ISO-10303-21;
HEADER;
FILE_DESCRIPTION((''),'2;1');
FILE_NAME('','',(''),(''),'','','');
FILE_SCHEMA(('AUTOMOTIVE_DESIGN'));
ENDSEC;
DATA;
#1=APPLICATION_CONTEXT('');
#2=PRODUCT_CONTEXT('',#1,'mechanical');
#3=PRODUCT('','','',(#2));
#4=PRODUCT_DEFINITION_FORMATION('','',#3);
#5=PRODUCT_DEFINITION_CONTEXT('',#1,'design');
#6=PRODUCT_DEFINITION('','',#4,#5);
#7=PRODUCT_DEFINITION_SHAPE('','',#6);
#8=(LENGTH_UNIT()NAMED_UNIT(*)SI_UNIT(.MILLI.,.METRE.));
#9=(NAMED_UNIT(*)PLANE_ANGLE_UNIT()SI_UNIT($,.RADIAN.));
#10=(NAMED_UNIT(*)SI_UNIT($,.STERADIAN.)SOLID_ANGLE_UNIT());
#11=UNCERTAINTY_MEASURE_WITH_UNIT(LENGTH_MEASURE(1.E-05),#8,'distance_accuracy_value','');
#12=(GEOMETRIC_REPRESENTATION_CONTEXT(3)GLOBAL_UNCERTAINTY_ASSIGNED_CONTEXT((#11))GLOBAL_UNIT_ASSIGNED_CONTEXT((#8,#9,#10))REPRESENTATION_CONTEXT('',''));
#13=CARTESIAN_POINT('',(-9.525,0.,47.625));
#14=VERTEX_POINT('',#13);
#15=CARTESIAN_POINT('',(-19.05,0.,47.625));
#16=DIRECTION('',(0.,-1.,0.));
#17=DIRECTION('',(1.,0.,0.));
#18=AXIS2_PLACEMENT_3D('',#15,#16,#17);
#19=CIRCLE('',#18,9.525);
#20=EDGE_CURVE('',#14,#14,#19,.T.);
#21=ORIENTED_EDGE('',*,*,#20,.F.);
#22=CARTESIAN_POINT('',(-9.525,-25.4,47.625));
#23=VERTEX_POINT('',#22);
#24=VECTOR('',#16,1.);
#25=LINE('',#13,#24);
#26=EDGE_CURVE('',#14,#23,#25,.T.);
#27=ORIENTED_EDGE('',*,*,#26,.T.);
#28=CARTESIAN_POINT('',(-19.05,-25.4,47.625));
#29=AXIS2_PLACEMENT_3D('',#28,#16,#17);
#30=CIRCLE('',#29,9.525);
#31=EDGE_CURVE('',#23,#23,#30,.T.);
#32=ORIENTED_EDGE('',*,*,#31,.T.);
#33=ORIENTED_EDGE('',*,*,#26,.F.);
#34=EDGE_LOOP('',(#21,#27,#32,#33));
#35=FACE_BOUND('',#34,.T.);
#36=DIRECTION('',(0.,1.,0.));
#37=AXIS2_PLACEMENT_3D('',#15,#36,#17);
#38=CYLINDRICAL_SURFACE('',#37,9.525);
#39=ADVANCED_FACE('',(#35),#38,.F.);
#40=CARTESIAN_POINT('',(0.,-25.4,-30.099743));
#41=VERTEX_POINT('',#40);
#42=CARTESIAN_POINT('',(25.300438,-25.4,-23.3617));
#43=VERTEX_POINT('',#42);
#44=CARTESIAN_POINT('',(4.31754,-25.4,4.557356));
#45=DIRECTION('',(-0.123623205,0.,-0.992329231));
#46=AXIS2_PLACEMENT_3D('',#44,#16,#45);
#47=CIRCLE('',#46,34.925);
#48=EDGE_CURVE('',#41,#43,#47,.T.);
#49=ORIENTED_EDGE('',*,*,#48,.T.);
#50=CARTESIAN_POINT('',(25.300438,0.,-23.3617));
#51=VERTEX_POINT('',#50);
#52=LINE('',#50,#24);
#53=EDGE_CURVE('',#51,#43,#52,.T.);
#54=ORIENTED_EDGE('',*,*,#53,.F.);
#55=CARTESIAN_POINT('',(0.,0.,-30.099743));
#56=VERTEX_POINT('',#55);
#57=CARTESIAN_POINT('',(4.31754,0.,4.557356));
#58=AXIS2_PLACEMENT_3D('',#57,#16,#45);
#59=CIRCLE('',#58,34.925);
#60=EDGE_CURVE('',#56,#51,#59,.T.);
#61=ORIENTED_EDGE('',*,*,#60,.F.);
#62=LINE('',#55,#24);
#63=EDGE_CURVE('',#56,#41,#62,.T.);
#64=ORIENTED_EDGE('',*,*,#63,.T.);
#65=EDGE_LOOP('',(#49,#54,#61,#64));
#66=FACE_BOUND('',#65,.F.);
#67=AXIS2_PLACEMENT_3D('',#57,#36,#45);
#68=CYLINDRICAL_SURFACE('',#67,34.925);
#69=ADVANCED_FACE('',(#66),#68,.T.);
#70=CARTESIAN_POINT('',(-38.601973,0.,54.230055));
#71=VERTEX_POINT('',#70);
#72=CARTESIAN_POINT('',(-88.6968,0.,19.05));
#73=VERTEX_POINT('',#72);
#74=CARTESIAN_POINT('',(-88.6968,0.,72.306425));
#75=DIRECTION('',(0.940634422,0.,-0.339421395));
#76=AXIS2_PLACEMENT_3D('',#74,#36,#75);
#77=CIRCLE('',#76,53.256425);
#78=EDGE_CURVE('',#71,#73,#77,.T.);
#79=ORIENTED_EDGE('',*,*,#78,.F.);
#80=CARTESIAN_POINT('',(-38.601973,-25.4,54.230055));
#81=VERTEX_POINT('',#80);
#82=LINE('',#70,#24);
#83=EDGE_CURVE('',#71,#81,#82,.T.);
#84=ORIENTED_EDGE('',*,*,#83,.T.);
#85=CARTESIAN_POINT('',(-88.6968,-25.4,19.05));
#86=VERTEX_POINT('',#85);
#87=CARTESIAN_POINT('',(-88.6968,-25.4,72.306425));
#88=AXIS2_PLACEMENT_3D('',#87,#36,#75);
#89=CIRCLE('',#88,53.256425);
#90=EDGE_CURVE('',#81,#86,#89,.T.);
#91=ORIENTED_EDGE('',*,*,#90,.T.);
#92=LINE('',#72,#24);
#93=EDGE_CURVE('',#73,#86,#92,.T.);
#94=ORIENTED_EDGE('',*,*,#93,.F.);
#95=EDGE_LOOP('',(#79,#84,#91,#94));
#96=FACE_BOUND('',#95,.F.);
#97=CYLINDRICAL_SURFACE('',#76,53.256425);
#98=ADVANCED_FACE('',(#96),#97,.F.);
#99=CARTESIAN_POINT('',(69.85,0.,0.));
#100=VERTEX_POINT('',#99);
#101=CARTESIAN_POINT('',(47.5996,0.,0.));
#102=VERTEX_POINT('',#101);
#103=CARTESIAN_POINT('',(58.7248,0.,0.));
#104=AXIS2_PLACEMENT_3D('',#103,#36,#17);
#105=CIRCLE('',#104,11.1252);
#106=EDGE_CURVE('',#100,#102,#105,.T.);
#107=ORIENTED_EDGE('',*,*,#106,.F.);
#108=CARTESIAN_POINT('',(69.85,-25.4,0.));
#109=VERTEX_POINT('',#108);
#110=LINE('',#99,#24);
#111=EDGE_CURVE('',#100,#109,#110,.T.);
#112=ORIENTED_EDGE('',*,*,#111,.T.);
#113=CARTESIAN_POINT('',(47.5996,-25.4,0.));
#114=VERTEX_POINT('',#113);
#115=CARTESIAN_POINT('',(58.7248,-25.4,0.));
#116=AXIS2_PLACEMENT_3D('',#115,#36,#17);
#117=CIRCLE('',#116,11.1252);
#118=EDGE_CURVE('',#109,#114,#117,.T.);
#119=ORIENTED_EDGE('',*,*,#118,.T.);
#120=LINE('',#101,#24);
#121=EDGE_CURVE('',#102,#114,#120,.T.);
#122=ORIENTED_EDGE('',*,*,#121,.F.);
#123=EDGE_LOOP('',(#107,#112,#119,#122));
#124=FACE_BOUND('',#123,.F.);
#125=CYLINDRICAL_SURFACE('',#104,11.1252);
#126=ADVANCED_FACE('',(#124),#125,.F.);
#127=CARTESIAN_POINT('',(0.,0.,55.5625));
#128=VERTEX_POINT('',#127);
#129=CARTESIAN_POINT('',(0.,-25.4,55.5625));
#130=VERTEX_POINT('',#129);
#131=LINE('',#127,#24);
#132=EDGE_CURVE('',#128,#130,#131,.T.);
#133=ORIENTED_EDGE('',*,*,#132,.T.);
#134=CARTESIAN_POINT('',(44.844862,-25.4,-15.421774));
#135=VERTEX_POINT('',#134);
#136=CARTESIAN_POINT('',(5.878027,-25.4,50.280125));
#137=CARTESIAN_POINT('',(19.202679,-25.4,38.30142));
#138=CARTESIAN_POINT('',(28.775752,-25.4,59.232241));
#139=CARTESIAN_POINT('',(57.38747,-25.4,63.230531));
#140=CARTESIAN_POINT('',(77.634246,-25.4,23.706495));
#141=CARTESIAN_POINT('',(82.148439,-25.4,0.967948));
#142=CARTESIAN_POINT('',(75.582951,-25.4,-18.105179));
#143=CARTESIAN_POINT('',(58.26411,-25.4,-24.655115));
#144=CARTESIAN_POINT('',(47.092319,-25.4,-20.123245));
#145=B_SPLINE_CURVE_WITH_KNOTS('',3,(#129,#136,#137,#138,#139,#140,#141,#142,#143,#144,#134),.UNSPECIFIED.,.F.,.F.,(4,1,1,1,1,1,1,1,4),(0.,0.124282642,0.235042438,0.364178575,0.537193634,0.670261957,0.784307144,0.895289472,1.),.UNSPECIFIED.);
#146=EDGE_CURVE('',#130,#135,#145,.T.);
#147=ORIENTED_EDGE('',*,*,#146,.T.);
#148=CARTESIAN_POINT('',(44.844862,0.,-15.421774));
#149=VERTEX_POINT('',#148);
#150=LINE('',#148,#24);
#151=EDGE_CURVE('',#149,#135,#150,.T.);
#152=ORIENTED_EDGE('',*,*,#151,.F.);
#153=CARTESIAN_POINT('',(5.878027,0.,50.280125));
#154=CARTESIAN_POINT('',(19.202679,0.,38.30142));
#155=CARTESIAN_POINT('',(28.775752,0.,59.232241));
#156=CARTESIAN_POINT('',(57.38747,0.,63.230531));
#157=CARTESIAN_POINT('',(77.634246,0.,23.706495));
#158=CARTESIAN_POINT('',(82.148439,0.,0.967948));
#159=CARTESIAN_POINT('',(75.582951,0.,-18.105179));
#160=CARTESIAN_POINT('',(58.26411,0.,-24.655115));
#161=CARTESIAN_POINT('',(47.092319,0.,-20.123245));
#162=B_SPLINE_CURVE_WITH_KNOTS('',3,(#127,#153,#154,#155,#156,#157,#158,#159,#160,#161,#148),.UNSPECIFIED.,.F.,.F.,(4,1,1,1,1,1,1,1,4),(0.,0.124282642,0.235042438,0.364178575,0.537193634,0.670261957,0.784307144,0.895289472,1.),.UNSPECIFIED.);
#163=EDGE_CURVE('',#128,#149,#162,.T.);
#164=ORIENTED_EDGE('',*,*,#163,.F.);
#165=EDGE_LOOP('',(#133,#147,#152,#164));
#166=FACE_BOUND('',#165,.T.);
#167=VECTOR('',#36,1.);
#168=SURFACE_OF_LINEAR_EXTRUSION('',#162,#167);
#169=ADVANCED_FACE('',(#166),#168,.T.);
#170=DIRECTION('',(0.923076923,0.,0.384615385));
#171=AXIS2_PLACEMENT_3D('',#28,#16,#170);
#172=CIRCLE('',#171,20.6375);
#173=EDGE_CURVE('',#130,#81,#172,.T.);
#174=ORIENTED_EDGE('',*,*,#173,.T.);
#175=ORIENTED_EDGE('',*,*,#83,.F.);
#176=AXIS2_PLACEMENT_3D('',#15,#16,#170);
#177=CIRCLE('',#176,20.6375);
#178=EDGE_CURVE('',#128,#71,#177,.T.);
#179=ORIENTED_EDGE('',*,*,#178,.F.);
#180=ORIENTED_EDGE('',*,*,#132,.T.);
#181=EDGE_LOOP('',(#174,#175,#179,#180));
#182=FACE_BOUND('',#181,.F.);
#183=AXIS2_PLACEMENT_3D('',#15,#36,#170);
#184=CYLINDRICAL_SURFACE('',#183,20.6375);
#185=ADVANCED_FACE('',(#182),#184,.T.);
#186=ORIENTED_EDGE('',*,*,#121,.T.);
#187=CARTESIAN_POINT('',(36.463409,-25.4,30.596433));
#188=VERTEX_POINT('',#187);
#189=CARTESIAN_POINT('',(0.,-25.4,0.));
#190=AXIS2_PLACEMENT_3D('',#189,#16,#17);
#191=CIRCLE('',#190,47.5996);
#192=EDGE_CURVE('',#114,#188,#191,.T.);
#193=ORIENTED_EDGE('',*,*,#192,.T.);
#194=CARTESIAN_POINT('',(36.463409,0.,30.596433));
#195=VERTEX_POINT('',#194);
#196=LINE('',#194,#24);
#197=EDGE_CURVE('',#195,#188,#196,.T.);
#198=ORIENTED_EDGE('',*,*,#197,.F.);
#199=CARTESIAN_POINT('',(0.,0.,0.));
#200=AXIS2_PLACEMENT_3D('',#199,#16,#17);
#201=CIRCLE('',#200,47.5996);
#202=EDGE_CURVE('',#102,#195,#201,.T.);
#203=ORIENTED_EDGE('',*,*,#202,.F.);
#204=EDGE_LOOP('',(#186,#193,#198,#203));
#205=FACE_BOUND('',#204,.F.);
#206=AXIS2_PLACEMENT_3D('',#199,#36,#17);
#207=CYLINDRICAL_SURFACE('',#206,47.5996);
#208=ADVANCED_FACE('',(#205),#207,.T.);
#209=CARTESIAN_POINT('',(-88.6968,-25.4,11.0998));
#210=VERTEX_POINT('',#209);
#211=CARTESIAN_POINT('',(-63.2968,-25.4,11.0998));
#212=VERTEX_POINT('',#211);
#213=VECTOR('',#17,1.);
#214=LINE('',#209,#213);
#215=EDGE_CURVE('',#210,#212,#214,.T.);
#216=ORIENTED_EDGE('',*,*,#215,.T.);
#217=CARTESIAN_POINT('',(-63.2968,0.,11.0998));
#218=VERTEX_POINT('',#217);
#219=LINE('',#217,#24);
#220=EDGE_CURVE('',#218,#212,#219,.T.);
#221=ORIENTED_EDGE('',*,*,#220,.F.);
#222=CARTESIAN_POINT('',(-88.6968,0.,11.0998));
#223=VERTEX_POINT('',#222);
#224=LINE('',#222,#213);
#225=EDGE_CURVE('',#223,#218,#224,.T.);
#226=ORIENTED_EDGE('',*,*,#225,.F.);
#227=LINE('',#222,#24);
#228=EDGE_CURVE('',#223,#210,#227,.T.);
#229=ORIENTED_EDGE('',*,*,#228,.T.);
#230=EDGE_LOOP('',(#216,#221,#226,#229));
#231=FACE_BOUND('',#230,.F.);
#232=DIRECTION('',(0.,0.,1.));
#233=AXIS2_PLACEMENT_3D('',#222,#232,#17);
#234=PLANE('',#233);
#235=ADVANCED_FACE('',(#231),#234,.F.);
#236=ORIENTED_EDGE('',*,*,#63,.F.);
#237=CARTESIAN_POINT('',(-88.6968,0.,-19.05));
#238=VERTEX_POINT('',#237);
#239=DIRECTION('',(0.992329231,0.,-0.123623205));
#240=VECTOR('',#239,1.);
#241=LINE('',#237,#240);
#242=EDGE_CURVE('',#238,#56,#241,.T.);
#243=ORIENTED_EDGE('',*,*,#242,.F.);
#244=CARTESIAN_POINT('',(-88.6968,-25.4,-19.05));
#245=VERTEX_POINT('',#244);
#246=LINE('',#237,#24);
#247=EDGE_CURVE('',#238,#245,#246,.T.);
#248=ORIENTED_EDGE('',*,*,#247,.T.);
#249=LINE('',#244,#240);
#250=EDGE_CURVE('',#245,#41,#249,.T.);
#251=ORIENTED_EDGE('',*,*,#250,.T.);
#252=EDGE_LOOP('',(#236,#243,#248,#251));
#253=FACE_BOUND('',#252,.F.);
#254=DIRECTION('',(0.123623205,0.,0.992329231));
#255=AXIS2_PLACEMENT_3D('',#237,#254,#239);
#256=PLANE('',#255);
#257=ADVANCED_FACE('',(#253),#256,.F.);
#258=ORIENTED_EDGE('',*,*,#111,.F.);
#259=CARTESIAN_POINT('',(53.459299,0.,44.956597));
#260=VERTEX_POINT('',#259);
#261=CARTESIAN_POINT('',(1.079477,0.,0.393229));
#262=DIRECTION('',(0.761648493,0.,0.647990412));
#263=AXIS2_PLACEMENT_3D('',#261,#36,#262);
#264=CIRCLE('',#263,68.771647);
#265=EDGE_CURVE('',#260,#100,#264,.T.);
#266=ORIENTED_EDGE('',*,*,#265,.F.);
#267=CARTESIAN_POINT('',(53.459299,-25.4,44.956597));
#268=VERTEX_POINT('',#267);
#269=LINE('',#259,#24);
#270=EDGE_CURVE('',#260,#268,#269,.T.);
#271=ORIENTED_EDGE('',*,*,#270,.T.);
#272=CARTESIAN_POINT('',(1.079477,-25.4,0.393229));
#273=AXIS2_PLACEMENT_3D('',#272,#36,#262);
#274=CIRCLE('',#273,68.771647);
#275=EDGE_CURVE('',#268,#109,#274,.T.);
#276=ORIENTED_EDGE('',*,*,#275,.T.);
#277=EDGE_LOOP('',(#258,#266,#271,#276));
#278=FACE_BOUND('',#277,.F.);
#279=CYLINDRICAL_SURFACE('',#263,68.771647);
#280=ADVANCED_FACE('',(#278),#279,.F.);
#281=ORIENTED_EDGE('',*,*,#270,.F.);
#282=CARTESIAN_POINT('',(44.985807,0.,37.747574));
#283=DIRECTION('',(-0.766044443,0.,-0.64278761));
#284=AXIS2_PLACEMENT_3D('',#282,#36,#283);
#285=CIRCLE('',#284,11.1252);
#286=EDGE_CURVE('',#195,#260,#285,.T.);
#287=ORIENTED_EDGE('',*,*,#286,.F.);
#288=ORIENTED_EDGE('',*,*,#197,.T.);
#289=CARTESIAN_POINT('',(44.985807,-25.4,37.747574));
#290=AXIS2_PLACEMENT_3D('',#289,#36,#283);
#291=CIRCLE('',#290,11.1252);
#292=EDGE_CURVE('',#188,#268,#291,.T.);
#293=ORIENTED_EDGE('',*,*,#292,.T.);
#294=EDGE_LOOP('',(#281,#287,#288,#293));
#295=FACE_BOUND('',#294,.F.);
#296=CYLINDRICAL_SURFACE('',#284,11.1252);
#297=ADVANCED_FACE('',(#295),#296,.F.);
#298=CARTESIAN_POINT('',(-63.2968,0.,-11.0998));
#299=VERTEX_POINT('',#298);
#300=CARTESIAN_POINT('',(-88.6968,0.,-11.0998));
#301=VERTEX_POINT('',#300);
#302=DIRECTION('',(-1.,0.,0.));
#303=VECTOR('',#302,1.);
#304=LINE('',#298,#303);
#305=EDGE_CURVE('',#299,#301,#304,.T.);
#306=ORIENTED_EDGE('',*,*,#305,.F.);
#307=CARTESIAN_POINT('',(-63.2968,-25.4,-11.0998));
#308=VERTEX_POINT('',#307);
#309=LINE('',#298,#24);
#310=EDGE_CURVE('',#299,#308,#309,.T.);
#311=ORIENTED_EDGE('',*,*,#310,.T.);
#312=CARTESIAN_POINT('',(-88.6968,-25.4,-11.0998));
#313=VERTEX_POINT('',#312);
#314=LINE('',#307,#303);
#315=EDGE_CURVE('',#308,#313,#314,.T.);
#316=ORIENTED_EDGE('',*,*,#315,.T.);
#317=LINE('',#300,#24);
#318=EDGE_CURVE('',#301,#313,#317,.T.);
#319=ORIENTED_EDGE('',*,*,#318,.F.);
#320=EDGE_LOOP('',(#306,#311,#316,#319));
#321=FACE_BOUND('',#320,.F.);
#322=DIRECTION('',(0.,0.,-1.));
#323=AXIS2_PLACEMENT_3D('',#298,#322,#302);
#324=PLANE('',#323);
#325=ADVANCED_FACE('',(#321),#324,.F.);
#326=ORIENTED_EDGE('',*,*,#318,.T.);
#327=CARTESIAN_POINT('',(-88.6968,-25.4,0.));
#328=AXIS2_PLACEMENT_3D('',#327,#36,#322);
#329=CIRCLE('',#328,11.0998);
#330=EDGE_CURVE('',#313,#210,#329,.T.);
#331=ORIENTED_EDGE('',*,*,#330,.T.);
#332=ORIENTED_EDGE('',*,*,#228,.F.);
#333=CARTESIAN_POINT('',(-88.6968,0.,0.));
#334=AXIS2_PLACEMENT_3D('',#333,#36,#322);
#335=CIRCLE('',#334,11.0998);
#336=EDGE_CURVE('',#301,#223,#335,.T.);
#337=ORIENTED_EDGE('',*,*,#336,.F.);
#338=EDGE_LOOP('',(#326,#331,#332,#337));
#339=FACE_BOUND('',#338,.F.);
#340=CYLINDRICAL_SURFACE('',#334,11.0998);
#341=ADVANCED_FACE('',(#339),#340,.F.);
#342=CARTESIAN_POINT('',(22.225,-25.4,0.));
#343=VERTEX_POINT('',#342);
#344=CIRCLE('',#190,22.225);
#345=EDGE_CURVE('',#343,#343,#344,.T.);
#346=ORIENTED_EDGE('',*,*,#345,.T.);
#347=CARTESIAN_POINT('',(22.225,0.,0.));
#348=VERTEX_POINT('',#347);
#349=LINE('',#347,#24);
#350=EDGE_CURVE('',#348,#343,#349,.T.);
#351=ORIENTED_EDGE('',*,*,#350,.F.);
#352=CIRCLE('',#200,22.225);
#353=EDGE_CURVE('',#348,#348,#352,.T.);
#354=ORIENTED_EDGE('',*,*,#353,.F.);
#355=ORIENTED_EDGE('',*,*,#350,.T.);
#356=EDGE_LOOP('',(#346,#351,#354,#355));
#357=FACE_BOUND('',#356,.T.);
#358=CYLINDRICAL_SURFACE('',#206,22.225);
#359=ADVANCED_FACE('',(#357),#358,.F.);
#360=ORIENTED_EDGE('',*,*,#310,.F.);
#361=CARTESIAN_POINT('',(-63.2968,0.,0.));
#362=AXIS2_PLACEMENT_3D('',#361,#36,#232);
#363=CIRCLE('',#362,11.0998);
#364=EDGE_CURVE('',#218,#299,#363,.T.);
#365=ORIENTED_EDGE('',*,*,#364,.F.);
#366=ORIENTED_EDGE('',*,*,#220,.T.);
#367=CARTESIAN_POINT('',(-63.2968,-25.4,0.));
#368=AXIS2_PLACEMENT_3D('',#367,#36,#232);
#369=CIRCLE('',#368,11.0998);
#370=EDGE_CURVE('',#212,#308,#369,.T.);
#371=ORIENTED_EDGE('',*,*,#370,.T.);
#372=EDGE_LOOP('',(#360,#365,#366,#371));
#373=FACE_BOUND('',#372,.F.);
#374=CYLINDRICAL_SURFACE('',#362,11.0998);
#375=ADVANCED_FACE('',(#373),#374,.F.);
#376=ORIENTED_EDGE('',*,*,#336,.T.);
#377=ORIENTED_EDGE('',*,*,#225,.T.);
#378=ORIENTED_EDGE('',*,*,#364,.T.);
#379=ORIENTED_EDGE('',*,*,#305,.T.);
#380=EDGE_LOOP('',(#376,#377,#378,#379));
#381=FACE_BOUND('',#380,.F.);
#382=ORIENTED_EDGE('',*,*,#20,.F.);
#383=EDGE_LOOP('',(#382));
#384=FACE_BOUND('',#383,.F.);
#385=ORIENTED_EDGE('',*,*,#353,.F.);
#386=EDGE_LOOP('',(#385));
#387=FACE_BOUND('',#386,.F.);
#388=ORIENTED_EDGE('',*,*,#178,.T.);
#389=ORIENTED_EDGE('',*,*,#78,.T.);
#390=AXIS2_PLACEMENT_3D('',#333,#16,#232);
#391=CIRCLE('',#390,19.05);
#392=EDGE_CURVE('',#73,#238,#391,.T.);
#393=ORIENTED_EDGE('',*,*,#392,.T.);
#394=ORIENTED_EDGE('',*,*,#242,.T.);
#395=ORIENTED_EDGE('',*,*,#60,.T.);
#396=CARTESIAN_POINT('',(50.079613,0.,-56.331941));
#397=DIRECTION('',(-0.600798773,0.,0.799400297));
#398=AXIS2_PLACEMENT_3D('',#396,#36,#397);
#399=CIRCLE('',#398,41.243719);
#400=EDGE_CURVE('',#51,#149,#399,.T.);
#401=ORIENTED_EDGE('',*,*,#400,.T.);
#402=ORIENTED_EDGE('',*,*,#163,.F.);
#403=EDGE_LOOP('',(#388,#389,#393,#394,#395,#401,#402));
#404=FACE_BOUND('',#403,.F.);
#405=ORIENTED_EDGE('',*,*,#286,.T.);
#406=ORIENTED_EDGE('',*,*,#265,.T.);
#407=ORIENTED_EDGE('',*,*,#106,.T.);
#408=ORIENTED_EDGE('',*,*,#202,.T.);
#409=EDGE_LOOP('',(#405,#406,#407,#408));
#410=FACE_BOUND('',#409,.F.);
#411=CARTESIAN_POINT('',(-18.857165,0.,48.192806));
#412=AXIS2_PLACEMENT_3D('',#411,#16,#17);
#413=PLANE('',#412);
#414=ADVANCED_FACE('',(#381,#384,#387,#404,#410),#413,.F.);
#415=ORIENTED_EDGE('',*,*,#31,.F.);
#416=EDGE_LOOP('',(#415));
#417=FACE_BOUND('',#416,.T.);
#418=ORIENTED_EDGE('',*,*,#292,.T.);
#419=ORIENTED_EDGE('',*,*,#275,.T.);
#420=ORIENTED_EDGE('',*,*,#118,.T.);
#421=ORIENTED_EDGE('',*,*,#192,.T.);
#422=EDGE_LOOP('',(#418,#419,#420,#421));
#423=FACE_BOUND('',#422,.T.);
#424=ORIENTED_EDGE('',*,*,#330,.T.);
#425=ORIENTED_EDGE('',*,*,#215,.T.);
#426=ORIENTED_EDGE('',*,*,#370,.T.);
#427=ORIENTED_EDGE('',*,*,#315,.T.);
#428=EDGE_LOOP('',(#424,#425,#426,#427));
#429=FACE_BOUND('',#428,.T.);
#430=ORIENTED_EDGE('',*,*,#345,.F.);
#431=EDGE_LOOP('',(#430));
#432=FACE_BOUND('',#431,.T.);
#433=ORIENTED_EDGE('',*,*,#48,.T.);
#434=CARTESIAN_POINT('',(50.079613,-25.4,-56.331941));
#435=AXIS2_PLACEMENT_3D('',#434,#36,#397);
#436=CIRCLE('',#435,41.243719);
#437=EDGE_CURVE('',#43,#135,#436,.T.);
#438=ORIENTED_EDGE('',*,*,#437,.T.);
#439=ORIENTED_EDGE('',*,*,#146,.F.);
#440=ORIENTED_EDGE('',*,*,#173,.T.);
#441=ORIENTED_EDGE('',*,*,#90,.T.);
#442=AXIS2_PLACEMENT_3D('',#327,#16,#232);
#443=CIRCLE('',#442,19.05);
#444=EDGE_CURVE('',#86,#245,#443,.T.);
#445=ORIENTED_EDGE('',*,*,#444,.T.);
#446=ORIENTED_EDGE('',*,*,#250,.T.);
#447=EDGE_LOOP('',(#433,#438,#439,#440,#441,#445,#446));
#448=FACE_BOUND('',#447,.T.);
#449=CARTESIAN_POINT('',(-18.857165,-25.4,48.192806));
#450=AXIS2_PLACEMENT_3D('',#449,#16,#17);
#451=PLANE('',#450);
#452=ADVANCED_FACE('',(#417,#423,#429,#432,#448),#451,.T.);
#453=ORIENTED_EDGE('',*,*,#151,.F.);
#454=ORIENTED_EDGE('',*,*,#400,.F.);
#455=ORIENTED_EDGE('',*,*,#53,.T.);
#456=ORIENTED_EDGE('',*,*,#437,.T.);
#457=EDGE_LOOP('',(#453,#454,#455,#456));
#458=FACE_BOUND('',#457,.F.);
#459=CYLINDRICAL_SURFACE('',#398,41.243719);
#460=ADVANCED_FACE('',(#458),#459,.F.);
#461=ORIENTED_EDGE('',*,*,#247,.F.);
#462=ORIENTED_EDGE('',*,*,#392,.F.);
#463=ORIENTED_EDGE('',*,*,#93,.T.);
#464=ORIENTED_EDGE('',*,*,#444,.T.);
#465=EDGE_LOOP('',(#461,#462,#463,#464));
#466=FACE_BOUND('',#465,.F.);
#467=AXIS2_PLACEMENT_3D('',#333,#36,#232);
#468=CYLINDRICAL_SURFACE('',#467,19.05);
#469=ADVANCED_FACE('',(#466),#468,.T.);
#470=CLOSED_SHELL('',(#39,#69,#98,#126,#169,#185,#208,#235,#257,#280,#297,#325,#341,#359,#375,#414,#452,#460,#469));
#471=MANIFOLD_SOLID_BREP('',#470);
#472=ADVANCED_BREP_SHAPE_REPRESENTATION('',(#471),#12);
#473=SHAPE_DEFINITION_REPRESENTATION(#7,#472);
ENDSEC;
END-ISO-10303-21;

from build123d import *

# Parameters (mm, degrees)
F0_R     = 9.525
F0_R_2   = 22.225
F1_DEPTH = 25.4


with BuildPart() as f1:
    # F0 (on Front) → F1 (new body)
    with BuildSketch(Plane.XZ):
        with BuildLine():
            ThreePointArc((-38.6019731115, 54.2300551624), (-22.396831424, 27.2606899044), (1.5875, 47.625))
            ThreePointArc((1.5875, 47.625), (1.1867336946, 51.6723467389), (0, 55.5625))
            ThreePointArc((0, 55.5625), (-19.7619315715, 68.2502165973), (-38.6019731115, 54.2300551624))
        make_face()
        with Locations((-19.05, 47.625)):
            Circle(F0_R, mode=Mode.SUBTRACT)
        with BuildLine():
            ThreePointArc((0, 55.5625), (1.1867336946, 51.6723467389), (1.5875, 47.625))
            ThreePointArc((1.5875, 47.625), (-22.396831424, 27.2606899044), (-38.6019731115, 54.2300551624))
            ThreePointArc((-38.6019731115, 54.2300551624), (-58.0899055062, 28.7235749355), (-88.6968, 19.05))
            Line((-88.6968, 19.05), (-63.2968, 19.05))
            ThreePointArc((-63.2968, 19.05), (-44.2468, 0), (-63.2968, -19.05))
            Line((-63.2968, -19.05), (-88.6968, -19.05))
            Line((-88.6968, -19.05), (0, -30.0997427003))
            ThreePointArc((0, -30.0997427003), (13.3055232241, -29.1913004245), (25.3004375845, -23.3616996557))
            ThreePointArc((25.3004375845, -23.3616996557), (34.556419149, -18.121015748), (44.8448620737, -15.4217742383))
            add(Edge.make_bspline(
                [(0, 55.5625), (5.8780273416, 50.2801245956), (19.2026785126, 38.301419748), (28.7757522314, 59.2322407386), (57.387469548, 63.2305309097), (77.6342462092, 23.706494508), (82.1484389365, 0.9679475703), (75.5829510629, -18.1051792077), (58.2641102959, -24.6551147398), (47.0923191994, -20.1232447624), (44.8448620737, -15.4217742383)],
                knots=[0, 0, 0, 0, 0.1242826422, 0.2350424379, 0.3641785745, 0.537193634, 0.6702619569, 0.784307144, 0.8952894715, 1, 1, 1, 1], degree=3))
        make_face()
        Circle(F0_R_2, mode=Mode.SUBTRACT)
        with BuildLine():
            ThreePointArc((69.85, 0), (58.7248, -11.1252), (47.5996, 0))
            ThreePointArc((47.5996, 0), (44.7289928724, 16.2800220142), (36.4634090747, 30.596433106))
            ThreePointArc((36.4634090747, 30.596433106), (37.8056832531, 46.245567828), (53.4592985247, 44.9565967483))
            ThreePointArc((53.4592985247, 44.9565967483), (65.6908180691, 23.9498429927), (69.85, 0))
        make_face(mode=Mode.SUBTRACT)
        with BuildLine():
            Line((-63.2968, 19.05), (-88.6968, 19.05))
            ThreePointArc((-88.6968, 19.05), (-107.7468, 0), (-88.6968, -19.05))
            Line((-88.6968, -19.05), (-63.2968, -19.05))
            ThreePointArc((-63.2968, -19.05), (-44.2468, 0), (-63.2968, 19.05))
        make_face()
        with BuildLine():
            Line((-88.6968, 11.0998), (-63.2968, 11.0998))
            ThreePointArc((-63.2968, 11.0998), (-52.197, 0), (-63.2968, -11.0998))
            Line((-63.2968, -11.0998), (-88.6968, -11.0998))
            ThreePointArc((-88.6968, -11.0998), (-99.7966, 0), (-88.6968, 11.0998))
        make_face(mode=Mode.SUBTRACT)
    extrude(amount=F1_DEPTH)


solid = f1.part
